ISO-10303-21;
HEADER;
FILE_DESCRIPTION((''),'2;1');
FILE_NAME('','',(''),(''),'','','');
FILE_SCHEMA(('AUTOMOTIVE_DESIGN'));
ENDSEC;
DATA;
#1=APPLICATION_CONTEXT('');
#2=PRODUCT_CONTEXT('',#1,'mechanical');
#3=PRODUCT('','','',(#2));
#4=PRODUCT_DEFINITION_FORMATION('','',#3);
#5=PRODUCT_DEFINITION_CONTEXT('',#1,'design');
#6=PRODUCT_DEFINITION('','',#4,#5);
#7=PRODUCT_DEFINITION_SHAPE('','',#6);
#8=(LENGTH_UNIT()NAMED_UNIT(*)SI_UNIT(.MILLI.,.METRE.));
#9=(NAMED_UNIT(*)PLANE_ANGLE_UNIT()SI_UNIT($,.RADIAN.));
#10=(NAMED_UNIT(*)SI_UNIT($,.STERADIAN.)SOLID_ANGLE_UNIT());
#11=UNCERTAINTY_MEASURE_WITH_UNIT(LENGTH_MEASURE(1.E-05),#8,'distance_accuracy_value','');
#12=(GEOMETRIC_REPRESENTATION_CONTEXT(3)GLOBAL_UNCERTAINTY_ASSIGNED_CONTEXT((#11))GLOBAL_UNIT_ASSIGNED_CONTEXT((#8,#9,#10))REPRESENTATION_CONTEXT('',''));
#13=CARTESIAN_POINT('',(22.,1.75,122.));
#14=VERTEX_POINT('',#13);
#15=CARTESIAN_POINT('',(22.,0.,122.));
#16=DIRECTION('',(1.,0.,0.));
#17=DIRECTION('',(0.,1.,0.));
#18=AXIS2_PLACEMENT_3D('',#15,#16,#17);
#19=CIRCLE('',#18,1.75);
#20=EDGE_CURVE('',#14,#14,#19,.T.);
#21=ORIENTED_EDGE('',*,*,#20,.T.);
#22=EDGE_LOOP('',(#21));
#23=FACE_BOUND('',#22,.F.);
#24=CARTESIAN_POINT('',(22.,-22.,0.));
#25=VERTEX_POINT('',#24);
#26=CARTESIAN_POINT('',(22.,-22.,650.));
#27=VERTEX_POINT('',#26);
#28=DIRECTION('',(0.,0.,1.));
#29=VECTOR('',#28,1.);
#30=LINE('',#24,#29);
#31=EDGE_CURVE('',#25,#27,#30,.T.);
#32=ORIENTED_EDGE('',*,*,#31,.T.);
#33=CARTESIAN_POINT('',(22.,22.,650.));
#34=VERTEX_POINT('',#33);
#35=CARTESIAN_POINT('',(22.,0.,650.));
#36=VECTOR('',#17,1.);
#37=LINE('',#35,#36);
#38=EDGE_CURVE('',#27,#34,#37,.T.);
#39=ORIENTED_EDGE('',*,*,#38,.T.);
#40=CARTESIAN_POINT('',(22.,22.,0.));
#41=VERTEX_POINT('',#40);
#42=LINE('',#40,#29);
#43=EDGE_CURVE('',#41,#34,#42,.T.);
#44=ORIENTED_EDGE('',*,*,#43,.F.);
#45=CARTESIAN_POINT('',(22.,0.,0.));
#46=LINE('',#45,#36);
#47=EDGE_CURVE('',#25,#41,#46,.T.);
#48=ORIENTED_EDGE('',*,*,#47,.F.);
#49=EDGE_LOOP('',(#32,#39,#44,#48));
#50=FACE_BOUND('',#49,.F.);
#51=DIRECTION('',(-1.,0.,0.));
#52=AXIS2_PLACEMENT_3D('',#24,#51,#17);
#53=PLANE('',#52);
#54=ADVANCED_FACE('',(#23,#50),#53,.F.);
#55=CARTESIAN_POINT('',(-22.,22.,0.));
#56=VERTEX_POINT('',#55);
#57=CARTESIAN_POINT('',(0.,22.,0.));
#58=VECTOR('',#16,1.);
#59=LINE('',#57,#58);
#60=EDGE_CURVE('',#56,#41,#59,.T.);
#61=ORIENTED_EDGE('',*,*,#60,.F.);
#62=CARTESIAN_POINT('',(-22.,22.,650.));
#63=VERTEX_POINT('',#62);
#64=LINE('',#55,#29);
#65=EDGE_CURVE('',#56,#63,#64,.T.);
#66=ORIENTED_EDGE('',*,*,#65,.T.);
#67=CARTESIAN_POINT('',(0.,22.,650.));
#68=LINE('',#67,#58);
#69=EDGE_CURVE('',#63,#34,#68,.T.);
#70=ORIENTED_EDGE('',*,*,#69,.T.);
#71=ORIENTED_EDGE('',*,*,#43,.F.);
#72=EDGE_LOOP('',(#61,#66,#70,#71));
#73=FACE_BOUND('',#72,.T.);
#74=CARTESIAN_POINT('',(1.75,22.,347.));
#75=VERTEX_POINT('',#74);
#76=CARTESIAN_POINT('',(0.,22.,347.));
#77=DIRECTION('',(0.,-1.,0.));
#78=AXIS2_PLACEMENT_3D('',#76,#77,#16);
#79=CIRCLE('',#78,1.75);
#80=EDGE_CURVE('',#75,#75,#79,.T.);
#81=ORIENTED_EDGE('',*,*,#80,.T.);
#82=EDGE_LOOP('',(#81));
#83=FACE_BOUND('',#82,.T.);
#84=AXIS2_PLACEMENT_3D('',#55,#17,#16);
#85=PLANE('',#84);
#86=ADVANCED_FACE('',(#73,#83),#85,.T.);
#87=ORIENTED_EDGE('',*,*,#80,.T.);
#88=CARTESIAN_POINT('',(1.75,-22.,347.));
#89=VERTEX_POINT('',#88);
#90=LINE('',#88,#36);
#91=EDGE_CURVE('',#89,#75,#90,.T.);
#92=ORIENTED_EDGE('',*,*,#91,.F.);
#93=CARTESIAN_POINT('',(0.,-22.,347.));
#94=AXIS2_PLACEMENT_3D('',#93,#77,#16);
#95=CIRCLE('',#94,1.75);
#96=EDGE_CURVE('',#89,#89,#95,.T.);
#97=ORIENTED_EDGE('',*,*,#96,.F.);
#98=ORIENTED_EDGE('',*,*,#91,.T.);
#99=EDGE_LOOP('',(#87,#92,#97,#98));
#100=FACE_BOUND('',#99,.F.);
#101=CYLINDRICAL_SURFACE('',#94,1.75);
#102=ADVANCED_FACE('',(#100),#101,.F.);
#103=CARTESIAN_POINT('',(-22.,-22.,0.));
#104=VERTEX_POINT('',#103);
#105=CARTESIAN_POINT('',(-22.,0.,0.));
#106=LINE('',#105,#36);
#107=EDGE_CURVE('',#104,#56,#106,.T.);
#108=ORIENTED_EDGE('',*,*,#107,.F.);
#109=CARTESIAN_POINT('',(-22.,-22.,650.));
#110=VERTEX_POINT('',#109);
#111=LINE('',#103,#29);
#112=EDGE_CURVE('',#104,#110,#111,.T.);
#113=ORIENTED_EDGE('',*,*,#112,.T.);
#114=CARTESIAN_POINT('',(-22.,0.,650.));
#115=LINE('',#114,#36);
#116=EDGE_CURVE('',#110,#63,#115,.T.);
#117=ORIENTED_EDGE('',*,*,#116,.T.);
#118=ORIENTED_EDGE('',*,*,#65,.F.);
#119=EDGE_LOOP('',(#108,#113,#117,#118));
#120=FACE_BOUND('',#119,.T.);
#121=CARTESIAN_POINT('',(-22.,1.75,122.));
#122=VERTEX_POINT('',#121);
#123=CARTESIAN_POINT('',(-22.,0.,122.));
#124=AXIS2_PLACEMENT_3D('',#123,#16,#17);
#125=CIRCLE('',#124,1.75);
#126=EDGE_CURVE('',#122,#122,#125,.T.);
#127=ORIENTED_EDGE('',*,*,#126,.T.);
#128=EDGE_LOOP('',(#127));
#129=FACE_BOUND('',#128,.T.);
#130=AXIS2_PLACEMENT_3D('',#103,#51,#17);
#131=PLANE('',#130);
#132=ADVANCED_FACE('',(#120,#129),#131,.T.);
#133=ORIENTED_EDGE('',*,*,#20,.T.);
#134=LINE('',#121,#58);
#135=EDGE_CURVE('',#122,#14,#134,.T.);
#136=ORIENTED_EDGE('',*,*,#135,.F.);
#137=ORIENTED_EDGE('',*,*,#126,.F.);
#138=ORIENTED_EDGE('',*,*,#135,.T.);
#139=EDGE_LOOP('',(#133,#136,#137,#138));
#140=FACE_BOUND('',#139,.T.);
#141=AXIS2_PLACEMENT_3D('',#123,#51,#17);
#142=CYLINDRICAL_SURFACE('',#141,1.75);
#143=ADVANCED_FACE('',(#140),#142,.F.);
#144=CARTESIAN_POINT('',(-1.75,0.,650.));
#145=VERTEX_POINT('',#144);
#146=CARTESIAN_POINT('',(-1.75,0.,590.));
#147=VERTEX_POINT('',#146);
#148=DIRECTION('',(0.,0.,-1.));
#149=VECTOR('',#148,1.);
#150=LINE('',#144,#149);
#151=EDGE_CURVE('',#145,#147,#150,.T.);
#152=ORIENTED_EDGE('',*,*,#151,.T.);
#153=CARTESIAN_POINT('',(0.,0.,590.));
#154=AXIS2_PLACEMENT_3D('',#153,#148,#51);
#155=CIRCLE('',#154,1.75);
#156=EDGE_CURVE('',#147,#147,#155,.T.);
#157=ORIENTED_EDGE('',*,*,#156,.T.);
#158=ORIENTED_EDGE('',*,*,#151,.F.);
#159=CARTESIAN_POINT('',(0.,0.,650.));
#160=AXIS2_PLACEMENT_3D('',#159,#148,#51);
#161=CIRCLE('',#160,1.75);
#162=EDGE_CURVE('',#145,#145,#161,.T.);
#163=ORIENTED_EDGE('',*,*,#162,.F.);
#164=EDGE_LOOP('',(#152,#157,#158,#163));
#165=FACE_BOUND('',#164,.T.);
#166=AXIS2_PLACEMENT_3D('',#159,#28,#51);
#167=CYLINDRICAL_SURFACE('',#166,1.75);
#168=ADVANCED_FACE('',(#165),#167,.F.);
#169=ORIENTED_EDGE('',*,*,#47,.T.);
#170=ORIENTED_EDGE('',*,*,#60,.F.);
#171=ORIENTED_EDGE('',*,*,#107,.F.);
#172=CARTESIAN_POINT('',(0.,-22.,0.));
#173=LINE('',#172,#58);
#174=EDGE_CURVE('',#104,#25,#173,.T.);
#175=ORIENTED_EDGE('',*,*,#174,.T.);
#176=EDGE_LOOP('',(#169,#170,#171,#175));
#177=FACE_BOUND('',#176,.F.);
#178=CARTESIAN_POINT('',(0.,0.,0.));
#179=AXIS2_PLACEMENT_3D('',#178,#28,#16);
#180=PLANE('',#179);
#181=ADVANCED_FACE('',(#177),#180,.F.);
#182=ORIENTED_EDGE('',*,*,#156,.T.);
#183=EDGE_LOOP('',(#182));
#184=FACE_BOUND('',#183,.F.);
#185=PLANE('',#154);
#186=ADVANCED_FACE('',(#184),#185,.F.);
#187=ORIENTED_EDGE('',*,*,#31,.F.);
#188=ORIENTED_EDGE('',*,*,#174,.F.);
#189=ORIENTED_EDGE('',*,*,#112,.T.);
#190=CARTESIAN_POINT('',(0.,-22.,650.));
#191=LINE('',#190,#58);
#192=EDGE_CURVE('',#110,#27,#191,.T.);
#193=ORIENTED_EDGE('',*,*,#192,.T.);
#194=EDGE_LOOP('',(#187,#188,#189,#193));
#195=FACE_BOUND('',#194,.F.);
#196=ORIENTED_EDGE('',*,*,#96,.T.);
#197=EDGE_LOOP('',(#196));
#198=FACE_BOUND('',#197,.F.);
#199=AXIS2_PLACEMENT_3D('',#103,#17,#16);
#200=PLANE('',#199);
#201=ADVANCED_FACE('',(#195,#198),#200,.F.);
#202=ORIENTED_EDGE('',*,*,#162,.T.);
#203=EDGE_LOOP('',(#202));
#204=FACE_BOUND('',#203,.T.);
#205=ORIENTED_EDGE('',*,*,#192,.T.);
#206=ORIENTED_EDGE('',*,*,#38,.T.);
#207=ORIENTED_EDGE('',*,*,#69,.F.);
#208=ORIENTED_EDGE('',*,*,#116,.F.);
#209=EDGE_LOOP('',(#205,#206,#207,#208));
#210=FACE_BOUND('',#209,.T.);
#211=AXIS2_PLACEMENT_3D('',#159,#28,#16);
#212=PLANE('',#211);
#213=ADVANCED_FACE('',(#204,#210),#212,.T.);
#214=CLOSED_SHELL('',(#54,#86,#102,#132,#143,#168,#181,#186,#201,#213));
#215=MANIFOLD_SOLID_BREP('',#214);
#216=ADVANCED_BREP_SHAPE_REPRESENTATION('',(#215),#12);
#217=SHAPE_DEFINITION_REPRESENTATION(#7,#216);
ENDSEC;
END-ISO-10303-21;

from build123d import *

# Parameters (mm, degrees)
ESQUISSE1_W             = 44
ESQUISSE1_H             = 44
BOSS_EXTRU_1_DEPTH      = 650
ESQUISSE2_R             = 1.75
ENL_V_MAT_EXTRU_1_DEPTH = 60
ESQUISSE3_R             = 1.75
ENL_V_MAT_EXTRU_2_DEPTH = 44
ESQUISSE4_R             = 1.75
ENL_V_MAT_EXTRU_3_DEPTH = 60


with BuildPart() as part:
    # Esquisse1 → Boss.-Extru.1 (new body)
    with BuildSketch(Plane.XY):
        Rectangle(ESQUISSE1_W, ESQUISSE1_H)
    extrude(amount=BOSS_EXTRU_1_DEPTH)

    # Esquisse2 → Enlèv. mat.-Extru.1 (cut)
    with BuildSketch(Plane(origin=(0, 0, 650), x_dir=(-1, 0, 0), z_dir=(0, 0, -1))):
        Circle(ESQUISSE2_R)
    extrude(amount=ENL_V_MAT_EXTRU_1_DEPTH, mode=Mode.SUBTRACT)

    # Esquisse3 → Enlèv. mat.-Extru.2 (cut)
    with BuildSketch(Plane.YZ.offset(-22)):
        with Locations((0, 122)):
            Circle(ESQUISSE3_R)
    extrude(amount=ENL_V_MAT_EXTRU_2_DEPTH, mode=Mode.SUBTRACT)

    # Esquisse4 → Enlèv. mat.-Extru.3 (cut)
    with BuildSketch(Plane.XZ.offset(22)):
        with Locations((0, 347)):
            Circle(ESQUISSE4_R)
    extrude(amount=-ENL_V_MAT_EXTRU_3_DEPTH, mode=Mode.SUBTRACT)


solid = part.part
